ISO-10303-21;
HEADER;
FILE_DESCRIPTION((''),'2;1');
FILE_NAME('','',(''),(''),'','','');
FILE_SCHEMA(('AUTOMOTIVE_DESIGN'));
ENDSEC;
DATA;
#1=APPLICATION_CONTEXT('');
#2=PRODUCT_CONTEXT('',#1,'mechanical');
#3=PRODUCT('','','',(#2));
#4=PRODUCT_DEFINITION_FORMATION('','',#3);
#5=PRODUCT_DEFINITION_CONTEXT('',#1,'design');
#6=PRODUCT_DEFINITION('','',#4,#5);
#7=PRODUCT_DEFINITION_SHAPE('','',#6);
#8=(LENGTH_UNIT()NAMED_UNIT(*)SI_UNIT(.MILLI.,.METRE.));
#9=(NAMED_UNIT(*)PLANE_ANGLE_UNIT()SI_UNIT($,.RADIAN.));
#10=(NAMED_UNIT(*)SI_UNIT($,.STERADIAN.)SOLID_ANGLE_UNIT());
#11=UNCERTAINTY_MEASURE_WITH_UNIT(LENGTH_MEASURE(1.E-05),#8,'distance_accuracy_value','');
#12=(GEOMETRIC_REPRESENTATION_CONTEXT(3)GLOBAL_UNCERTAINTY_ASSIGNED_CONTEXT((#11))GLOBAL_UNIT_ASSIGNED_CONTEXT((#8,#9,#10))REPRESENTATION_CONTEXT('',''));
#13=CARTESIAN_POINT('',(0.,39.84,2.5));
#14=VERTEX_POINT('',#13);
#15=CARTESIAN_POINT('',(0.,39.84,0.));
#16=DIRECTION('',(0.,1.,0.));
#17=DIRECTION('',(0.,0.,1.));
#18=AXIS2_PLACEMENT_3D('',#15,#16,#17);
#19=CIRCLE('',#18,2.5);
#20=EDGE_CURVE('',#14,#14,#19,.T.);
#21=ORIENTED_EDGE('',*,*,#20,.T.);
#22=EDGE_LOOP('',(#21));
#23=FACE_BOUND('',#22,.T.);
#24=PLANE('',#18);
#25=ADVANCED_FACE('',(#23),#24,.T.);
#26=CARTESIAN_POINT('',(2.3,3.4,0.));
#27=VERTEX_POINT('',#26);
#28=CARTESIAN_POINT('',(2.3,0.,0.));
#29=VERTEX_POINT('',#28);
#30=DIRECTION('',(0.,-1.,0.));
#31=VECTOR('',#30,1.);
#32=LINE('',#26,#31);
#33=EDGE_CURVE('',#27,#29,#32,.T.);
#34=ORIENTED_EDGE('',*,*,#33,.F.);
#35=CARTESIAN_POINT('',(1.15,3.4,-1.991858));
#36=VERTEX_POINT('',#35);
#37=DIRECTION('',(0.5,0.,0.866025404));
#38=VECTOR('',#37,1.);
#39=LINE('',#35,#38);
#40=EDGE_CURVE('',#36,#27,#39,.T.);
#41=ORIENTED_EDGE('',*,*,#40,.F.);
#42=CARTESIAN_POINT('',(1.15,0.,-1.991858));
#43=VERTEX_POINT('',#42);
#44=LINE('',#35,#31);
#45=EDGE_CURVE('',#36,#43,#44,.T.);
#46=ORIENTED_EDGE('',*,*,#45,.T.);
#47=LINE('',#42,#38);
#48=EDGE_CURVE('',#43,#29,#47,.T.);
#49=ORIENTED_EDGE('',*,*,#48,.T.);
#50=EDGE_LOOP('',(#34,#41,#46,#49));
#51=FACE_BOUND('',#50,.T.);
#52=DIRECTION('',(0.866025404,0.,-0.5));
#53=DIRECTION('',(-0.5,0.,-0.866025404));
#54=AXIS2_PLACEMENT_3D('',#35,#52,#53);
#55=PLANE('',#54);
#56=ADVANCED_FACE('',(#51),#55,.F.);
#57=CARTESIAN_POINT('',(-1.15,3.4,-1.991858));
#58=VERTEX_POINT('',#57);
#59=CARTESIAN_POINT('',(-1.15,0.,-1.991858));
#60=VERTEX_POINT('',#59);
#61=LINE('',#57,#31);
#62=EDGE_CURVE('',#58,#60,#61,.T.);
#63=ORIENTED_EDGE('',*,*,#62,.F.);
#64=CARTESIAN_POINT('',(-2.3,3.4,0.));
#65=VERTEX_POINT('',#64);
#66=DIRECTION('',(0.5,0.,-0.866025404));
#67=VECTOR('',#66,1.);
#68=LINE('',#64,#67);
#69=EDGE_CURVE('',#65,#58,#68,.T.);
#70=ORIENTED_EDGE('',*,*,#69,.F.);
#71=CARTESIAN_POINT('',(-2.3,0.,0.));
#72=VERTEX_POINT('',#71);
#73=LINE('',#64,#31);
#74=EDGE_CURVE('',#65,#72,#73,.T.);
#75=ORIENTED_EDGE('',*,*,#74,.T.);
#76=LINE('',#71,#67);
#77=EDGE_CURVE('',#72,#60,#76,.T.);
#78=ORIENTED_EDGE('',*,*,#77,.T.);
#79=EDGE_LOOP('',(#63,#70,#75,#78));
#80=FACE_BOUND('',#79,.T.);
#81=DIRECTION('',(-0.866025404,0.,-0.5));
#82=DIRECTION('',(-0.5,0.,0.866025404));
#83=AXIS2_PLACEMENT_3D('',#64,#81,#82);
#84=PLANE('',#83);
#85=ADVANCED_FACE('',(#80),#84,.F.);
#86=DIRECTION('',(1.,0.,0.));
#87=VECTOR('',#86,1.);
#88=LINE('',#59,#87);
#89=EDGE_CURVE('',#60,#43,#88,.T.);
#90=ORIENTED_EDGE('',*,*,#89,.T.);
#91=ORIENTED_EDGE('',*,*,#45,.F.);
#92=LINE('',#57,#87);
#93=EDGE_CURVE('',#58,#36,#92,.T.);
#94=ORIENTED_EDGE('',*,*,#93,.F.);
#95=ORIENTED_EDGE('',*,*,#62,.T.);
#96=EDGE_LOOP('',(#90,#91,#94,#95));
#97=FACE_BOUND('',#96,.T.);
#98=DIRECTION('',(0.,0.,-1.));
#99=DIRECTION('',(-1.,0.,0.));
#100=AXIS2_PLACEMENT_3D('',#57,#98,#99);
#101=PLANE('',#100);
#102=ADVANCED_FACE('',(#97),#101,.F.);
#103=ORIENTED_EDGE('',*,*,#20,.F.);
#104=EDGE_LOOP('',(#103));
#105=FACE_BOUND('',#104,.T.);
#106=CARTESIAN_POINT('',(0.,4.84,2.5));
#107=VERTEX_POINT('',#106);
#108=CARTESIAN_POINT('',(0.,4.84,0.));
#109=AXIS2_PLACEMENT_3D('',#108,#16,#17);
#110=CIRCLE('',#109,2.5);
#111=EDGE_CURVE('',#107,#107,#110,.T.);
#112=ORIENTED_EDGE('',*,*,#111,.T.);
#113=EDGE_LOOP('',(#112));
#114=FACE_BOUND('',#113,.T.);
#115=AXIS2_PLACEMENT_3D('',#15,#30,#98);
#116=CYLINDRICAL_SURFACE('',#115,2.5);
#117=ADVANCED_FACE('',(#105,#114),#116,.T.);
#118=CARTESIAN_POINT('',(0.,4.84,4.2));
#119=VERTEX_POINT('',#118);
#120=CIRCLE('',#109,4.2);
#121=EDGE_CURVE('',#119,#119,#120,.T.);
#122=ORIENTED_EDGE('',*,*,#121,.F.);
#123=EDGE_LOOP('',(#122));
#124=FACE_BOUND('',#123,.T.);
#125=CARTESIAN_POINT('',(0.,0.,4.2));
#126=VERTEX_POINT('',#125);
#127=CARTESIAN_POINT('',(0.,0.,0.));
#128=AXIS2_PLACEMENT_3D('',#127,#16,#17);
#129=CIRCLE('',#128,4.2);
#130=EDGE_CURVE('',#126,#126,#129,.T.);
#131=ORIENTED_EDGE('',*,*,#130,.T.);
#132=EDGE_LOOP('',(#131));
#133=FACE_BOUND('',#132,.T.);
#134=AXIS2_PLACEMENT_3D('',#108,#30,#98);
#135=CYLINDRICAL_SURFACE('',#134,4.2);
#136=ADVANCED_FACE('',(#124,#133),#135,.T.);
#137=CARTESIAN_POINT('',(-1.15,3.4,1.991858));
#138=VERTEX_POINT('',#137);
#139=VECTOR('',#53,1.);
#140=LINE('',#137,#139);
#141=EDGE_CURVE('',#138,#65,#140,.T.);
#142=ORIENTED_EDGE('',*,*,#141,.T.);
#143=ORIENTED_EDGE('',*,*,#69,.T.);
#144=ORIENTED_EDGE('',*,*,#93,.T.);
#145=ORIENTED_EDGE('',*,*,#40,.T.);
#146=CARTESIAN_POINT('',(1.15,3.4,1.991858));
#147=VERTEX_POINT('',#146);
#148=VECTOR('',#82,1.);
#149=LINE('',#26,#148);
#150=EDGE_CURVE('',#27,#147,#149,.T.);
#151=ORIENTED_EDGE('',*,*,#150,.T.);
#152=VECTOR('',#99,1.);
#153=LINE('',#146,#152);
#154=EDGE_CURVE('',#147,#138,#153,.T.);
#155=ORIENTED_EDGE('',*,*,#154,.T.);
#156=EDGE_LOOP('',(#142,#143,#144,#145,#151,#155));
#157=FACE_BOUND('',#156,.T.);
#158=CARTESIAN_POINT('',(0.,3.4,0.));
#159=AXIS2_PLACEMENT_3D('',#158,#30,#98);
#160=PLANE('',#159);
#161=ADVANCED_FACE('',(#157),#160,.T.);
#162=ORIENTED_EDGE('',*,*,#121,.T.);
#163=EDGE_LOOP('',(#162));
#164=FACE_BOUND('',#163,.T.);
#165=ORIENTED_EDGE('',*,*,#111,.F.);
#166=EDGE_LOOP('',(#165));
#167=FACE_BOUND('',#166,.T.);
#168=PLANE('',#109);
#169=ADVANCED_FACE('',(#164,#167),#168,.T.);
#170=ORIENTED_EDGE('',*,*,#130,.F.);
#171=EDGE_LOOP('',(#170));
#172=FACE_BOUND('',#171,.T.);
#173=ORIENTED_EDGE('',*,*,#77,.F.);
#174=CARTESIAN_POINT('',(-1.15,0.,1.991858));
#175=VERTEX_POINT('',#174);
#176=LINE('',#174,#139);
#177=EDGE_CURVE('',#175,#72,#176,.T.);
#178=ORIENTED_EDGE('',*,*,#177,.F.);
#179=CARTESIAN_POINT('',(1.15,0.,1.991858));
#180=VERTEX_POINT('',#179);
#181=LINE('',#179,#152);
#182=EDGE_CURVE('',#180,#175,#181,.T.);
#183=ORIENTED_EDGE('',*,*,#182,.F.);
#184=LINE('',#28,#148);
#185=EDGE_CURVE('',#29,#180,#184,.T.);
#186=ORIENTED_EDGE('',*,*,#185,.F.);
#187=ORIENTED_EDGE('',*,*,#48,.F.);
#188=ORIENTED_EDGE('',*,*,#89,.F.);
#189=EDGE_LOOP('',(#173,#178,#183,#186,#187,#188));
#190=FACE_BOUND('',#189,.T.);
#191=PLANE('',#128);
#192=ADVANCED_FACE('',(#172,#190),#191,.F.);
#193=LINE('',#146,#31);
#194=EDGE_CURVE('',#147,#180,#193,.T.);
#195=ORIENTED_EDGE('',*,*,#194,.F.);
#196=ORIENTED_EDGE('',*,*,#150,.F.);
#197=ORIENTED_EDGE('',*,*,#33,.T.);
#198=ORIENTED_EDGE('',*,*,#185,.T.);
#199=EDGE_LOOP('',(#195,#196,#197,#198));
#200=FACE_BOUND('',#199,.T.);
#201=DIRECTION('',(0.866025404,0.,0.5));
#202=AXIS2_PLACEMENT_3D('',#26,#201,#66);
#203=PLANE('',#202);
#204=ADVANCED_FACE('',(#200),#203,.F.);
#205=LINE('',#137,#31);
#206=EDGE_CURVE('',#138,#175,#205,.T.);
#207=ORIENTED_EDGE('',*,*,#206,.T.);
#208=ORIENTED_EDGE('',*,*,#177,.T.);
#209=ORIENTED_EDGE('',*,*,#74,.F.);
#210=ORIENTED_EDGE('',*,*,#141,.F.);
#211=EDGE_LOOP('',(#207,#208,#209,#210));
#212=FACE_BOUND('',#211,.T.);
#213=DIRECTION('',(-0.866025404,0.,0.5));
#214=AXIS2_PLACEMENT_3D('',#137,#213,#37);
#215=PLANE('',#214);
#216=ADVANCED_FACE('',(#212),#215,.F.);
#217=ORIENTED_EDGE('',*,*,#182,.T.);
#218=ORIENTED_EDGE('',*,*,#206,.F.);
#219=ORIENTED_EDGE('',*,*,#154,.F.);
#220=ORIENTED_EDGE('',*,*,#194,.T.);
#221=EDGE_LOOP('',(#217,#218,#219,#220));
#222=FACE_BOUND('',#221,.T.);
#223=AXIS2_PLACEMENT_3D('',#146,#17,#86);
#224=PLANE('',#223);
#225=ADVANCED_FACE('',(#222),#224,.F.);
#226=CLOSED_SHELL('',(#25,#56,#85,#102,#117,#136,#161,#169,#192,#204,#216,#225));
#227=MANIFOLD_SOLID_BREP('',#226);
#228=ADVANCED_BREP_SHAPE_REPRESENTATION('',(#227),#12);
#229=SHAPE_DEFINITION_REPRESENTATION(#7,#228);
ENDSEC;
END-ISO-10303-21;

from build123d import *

# Parameters (mm, degrees)
SKETCH_1_R          = 4.2
EXTRUDE_1_DEPTH     = 4.84
SKETCH_2_R          = 2.5
EXTRUDE_2_DEPTH     = 35
CUT_EXTRUDE_1_DEPTH = 3.4


with BuildPart() as part:
    # 草图1 → 凸台-拉伸1 (new body)
    with BuildSketch(Plane(origin=(0, 0, 0), x_dir=(1, 0, 0), z_dir=(0, 1, 0))):
        Circle(SKETCH_1_R)
    extrude(amount=EXTRUDE_1_DEPTH)

    # 草图2 → 凸台-拉伸2 (add)
    with BuildSketch(Plane(origin=(0, 4.84, 0), x_dir=(1, 0, 0), z_dir=(0, 1, 0))):
        Circle(SKETCH_2_R)
    extrude(amount=EXTRUDE_2_DEPTH)

    # 草图3 → 切除-拉伸1 (cut)
    with BuildSketch(Plane.XZ):
        Polygon((2.3, 0), (1.15, 1.991858429), (-1.15, 1.991858429), (-2.3, 0), (-1.15, -1.991858429), (1.15, -1.991858429), align=None)
    extrude(amount=-CUT_EXTRUDE_1_DEPTH, mode=Mode.SUBTRACT)


solid = part.part
